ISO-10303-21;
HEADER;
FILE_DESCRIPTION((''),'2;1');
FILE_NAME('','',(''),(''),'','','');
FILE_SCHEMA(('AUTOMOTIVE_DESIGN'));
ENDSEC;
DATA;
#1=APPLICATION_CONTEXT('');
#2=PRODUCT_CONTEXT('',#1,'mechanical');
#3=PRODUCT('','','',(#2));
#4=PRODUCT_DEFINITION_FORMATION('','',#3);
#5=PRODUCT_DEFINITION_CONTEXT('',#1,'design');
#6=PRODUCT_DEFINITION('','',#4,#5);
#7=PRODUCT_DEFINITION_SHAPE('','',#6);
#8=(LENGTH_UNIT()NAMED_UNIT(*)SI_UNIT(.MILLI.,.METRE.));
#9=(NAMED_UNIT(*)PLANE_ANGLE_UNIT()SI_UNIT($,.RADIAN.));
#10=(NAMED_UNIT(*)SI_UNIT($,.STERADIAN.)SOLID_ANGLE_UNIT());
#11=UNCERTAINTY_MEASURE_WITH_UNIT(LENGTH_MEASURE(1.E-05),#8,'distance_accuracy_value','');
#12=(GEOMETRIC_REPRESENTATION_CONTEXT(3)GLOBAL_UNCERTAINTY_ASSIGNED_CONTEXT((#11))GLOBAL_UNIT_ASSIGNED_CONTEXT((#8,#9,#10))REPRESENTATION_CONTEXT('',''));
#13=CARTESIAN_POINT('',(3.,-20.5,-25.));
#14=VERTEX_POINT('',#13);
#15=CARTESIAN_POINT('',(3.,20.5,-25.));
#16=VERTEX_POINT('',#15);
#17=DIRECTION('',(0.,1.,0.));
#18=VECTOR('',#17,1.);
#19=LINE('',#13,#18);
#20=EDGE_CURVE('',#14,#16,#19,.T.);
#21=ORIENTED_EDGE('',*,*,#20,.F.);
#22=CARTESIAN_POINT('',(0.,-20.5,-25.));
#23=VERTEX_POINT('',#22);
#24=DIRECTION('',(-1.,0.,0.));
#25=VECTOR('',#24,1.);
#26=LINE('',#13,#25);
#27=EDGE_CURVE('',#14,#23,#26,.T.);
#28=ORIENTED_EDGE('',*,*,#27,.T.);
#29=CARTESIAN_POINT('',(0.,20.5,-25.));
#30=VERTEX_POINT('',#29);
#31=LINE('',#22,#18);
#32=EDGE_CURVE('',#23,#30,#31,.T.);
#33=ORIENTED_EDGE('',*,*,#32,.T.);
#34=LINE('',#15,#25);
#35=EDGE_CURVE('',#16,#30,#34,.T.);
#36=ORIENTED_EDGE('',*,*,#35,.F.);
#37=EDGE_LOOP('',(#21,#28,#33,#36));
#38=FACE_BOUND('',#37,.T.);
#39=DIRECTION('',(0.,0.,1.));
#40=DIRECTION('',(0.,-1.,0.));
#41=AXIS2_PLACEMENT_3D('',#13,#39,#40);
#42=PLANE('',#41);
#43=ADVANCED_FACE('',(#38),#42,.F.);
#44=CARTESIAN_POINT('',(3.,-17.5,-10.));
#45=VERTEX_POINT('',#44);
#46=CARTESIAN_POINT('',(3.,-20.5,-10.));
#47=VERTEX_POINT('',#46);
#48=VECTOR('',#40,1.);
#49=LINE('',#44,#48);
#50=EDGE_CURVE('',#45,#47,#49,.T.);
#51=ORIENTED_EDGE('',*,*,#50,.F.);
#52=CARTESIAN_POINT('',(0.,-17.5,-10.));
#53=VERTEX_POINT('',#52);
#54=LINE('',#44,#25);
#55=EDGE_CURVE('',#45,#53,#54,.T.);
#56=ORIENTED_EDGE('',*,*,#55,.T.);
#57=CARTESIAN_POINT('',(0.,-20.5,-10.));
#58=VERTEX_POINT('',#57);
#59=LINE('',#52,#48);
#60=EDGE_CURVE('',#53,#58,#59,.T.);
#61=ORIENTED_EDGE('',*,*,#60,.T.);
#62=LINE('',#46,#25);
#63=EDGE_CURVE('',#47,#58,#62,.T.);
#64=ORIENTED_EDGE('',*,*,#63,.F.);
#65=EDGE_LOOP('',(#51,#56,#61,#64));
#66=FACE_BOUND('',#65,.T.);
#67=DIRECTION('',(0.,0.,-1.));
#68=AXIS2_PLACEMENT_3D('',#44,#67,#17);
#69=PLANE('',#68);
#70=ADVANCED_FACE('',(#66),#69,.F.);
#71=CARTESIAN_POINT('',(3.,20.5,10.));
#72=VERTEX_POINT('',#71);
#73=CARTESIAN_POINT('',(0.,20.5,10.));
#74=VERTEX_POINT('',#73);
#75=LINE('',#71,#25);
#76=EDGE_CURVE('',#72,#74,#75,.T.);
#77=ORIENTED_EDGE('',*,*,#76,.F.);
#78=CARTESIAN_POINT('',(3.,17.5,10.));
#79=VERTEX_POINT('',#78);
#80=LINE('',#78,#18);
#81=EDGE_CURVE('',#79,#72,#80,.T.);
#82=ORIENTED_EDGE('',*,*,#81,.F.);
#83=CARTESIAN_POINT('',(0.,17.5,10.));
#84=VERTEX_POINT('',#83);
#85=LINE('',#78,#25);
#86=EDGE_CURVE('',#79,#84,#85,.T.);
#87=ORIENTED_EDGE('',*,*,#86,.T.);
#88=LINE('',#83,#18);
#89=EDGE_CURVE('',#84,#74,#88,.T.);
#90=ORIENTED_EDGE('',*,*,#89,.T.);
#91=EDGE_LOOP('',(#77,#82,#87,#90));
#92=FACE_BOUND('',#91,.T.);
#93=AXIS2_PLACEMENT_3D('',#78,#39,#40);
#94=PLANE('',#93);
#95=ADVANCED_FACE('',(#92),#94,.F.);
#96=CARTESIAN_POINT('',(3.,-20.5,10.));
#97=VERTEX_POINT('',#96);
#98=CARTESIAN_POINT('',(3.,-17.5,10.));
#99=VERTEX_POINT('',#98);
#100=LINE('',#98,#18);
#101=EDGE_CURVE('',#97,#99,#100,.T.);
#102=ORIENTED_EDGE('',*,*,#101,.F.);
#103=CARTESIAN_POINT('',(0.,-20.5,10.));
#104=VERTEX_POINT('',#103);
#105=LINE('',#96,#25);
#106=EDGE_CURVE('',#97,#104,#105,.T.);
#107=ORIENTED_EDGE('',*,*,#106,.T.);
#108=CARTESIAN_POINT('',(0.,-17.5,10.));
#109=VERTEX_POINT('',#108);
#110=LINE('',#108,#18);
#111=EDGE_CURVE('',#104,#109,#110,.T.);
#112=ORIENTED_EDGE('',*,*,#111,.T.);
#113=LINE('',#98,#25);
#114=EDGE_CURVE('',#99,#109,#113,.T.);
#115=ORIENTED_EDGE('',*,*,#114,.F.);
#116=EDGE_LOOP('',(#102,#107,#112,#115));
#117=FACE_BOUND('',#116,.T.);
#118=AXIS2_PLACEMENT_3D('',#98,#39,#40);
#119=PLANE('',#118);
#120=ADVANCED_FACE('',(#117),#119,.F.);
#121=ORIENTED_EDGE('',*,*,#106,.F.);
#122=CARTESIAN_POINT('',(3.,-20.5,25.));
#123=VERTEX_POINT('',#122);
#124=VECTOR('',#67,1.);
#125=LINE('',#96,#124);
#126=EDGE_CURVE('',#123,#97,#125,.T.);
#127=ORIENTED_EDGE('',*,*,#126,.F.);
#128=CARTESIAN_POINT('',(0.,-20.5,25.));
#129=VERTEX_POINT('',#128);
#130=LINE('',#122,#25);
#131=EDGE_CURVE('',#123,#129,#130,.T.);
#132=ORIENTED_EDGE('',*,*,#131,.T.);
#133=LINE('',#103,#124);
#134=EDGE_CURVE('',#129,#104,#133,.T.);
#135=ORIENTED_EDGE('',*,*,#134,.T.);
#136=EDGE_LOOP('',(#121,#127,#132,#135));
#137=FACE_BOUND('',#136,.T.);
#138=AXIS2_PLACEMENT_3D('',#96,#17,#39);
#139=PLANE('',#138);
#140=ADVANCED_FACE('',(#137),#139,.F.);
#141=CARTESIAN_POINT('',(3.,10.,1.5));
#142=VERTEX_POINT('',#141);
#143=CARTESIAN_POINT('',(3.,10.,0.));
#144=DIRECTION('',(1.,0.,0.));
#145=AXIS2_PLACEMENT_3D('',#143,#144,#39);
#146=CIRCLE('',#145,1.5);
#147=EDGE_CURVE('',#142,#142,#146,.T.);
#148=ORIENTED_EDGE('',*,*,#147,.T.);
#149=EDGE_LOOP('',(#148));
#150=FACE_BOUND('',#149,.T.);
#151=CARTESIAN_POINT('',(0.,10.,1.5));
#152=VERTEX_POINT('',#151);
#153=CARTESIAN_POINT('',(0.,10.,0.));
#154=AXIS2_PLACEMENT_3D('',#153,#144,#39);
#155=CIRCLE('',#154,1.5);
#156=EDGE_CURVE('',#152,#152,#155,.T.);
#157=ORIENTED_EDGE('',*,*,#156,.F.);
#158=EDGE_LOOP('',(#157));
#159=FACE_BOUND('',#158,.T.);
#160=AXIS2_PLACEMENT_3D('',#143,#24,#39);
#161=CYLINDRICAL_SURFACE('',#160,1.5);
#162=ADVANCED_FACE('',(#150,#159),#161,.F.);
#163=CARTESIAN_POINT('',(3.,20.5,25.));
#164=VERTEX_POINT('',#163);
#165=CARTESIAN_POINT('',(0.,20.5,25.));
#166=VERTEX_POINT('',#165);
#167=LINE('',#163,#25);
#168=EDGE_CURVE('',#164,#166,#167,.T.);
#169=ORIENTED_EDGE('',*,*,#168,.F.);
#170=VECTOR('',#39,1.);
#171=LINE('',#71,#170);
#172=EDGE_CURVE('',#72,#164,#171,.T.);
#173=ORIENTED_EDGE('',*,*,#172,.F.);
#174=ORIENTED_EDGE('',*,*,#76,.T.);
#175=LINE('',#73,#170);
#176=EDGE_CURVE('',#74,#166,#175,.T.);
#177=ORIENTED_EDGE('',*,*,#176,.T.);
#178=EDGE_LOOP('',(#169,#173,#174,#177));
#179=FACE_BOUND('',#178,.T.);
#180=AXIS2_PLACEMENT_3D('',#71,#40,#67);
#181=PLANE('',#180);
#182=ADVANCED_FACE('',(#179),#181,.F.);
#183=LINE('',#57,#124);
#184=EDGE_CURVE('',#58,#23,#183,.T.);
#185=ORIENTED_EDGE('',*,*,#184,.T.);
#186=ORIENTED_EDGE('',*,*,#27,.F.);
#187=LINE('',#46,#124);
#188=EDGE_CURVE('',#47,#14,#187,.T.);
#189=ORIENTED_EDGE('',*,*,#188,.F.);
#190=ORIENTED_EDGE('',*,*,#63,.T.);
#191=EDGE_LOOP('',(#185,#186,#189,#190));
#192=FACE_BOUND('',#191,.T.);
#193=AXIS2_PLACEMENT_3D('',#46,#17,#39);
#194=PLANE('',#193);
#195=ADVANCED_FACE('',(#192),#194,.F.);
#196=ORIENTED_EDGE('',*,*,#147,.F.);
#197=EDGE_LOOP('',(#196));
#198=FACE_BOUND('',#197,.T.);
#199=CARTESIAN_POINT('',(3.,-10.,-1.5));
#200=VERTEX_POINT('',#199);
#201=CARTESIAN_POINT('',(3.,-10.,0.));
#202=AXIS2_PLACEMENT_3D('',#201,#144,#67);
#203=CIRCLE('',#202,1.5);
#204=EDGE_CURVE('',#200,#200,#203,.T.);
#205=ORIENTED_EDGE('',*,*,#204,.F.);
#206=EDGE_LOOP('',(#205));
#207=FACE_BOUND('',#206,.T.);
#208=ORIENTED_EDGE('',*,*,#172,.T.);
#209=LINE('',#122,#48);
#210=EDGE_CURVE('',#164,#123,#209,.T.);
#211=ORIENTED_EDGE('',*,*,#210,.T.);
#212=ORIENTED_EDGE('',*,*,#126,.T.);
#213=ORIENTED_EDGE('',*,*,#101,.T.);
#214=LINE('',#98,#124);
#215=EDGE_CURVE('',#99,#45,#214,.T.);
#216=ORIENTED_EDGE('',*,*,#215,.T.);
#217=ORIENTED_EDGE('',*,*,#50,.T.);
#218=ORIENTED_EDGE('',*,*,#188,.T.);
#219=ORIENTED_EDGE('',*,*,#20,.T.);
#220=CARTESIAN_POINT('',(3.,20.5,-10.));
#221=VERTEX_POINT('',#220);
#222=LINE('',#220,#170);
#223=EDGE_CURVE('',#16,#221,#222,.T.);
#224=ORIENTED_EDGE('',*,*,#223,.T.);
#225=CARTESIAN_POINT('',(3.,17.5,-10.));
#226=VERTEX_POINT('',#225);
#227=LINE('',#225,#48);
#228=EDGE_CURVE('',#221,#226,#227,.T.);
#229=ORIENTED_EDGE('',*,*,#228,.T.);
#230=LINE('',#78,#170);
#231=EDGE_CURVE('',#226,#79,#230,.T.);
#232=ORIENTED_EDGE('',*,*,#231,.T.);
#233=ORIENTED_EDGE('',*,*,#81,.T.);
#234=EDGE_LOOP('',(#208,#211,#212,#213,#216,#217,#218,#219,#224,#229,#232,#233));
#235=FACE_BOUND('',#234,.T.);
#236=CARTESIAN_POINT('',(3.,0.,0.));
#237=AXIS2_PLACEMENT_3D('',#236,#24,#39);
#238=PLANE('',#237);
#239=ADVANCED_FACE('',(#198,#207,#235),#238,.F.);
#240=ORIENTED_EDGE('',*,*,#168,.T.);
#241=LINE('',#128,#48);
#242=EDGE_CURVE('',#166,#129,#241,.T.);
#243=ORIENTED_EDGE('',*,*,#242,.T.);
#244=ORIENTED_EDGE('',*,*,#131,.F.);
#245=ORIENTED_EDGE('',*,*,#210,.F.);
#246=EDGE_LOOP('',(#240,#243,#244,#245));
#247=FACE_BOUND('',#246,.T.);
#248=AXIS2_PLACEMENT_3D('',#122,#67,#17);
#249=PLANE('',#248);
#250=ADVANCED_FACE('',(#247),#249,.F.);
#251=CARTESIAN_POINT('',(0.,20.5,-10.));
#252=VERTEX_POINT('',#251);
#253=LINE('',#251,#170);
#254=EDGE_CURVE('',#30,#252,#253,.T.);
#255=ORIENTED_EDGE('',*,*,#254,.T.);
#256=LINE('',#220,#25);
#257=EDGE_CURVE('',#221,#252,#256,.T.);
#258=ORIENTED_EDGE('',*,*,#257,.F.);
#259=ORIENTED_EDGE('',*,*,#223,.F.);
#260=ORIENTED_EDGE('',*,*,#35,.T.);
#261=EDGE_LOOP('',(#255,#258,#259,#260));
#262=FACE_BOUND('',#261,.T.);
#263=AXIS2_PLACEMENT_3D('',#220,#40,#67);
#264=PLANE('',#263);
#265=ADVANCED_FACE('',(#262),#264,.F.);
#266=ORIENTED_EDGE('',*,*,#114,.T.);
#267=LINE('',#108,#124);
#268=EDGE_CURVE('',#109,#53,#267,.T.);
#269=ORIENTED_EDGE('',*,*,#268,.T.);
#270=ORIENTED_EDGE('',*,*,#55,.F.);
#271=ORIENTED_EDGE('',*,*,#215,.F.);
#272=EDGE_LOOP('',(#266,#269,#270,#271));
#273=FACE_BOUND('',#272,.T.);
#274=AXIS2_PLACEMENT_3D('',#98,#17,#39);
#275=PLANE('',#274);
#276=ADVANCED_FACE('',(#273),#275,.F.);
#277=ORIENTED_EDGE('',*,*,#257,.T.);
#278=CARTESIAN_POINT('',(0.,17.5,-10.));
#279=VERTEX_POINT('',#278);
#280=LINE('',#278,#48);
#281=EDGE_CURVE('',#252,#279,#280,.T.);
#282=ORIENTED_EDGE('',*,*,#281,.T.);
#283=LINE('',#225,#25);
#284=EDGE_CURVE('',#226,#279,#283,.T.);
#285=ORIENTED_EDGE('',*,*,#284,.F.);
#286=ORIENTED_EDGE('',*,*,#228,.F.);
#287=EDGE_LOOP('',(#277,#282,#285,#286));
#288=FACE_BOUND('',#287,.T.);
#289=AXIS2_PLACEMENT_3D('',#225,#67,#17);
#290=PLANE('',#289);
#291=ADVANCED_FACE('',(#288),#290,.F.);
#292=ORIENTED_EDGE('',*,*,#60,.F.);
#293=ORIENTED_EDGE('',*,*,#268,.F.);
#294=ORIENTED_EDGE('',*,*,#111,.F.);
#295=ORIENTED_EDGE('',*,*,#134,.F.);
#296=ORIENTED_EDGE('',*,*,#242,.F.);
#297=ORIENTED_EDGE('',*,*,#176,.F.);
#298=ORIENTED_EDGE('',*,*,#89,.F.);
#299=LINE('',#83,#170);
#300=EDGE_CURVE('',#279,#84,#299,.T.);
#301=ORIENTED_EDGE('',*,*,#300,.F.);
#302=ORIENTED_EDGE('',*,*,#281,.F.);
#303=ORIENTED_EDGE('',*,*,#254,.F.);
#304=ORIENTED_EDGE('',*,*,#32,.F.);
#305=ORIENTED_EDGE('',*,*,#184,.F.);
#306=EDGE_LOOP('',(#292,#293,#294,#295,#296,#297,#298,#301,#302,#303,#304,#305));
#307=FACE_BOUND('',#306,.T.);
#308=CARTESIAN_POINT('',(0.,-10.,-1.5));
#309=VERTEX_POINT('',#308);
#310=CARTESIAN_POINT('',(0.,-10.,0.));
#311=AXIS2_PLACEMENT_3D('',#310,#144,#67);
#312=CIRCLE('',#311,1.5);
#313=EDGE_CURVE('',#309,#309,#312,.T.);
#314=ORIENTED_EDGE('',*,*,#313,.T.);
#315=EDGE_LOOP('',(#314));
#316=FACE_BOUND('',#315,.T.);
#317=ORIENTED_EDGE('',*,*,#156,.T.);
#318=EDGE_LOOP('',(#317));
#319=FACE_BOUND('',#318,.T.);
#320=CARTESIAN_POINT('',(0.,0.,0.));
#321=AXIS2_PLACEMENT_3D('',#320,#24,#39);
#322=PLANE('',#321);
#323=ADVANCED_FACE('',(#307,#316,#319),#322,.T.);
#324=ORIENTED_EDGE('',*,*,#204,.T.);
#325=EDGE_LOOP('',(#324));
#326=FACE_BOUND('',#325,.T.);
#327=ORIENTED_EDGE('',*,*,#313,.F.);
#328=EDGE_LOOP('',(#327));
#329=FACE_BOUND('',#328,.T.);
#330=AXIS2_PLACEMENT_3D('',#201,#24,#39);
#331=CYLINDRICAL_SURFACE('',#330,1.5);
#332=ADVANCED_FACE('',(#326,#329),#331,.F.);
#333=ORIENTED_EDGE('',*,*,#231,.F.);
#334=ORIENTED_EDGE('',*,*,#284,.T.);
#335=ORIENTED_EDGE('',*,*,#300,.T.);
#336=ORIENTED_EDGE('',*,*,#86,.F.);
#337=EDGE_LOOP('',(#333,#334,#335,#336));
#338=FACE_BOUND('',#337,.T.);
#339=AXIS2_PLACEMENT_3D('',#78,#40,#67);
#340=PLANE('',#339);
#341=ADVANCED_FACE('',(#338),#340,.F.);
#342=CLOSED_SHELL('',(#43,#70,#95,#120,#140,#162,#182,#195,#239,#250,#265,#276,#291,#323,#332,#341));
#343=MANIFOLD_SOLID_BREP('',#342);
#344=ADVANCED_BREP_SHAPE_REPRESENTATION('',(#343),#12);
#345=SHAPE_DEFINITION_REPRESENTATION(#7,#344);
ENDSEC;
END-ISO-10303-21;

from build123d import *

# Parameters (mm, degrees)
SKETCH_1_R      = 1.5
EXTRUDE_1_DEPTH = 3


with BuildPart() as part:
    # 草图1 → 凸台-拉伸1 (new body)
    with BuildSketch(Plane(origin=(0, 0, 0), x_dir=(0, 0, -1), z_dir=(1, 0, 0))):
        Polygon((-10, 17.5), (10, 17.5), (10, 20.5), (25, 20.5), (25, -20.5), (10, -20.5), (10, -17.5), (-10, -17.5), (-10, -20.5), (-25, -20.5), (-25, 20.5), (-10, 20.5), align=None)
        with Locations((0, -10)):
            Circle(SKETCH_1_R, mode=Mode.SUBTRACT)
        with Locations((0, 10)):
            Circle(SKETCH_1_R, mode=Mode.SUBTRACT)
    extrude(amount=EXTRUDE_1_DEPTH)


solid = part.part
